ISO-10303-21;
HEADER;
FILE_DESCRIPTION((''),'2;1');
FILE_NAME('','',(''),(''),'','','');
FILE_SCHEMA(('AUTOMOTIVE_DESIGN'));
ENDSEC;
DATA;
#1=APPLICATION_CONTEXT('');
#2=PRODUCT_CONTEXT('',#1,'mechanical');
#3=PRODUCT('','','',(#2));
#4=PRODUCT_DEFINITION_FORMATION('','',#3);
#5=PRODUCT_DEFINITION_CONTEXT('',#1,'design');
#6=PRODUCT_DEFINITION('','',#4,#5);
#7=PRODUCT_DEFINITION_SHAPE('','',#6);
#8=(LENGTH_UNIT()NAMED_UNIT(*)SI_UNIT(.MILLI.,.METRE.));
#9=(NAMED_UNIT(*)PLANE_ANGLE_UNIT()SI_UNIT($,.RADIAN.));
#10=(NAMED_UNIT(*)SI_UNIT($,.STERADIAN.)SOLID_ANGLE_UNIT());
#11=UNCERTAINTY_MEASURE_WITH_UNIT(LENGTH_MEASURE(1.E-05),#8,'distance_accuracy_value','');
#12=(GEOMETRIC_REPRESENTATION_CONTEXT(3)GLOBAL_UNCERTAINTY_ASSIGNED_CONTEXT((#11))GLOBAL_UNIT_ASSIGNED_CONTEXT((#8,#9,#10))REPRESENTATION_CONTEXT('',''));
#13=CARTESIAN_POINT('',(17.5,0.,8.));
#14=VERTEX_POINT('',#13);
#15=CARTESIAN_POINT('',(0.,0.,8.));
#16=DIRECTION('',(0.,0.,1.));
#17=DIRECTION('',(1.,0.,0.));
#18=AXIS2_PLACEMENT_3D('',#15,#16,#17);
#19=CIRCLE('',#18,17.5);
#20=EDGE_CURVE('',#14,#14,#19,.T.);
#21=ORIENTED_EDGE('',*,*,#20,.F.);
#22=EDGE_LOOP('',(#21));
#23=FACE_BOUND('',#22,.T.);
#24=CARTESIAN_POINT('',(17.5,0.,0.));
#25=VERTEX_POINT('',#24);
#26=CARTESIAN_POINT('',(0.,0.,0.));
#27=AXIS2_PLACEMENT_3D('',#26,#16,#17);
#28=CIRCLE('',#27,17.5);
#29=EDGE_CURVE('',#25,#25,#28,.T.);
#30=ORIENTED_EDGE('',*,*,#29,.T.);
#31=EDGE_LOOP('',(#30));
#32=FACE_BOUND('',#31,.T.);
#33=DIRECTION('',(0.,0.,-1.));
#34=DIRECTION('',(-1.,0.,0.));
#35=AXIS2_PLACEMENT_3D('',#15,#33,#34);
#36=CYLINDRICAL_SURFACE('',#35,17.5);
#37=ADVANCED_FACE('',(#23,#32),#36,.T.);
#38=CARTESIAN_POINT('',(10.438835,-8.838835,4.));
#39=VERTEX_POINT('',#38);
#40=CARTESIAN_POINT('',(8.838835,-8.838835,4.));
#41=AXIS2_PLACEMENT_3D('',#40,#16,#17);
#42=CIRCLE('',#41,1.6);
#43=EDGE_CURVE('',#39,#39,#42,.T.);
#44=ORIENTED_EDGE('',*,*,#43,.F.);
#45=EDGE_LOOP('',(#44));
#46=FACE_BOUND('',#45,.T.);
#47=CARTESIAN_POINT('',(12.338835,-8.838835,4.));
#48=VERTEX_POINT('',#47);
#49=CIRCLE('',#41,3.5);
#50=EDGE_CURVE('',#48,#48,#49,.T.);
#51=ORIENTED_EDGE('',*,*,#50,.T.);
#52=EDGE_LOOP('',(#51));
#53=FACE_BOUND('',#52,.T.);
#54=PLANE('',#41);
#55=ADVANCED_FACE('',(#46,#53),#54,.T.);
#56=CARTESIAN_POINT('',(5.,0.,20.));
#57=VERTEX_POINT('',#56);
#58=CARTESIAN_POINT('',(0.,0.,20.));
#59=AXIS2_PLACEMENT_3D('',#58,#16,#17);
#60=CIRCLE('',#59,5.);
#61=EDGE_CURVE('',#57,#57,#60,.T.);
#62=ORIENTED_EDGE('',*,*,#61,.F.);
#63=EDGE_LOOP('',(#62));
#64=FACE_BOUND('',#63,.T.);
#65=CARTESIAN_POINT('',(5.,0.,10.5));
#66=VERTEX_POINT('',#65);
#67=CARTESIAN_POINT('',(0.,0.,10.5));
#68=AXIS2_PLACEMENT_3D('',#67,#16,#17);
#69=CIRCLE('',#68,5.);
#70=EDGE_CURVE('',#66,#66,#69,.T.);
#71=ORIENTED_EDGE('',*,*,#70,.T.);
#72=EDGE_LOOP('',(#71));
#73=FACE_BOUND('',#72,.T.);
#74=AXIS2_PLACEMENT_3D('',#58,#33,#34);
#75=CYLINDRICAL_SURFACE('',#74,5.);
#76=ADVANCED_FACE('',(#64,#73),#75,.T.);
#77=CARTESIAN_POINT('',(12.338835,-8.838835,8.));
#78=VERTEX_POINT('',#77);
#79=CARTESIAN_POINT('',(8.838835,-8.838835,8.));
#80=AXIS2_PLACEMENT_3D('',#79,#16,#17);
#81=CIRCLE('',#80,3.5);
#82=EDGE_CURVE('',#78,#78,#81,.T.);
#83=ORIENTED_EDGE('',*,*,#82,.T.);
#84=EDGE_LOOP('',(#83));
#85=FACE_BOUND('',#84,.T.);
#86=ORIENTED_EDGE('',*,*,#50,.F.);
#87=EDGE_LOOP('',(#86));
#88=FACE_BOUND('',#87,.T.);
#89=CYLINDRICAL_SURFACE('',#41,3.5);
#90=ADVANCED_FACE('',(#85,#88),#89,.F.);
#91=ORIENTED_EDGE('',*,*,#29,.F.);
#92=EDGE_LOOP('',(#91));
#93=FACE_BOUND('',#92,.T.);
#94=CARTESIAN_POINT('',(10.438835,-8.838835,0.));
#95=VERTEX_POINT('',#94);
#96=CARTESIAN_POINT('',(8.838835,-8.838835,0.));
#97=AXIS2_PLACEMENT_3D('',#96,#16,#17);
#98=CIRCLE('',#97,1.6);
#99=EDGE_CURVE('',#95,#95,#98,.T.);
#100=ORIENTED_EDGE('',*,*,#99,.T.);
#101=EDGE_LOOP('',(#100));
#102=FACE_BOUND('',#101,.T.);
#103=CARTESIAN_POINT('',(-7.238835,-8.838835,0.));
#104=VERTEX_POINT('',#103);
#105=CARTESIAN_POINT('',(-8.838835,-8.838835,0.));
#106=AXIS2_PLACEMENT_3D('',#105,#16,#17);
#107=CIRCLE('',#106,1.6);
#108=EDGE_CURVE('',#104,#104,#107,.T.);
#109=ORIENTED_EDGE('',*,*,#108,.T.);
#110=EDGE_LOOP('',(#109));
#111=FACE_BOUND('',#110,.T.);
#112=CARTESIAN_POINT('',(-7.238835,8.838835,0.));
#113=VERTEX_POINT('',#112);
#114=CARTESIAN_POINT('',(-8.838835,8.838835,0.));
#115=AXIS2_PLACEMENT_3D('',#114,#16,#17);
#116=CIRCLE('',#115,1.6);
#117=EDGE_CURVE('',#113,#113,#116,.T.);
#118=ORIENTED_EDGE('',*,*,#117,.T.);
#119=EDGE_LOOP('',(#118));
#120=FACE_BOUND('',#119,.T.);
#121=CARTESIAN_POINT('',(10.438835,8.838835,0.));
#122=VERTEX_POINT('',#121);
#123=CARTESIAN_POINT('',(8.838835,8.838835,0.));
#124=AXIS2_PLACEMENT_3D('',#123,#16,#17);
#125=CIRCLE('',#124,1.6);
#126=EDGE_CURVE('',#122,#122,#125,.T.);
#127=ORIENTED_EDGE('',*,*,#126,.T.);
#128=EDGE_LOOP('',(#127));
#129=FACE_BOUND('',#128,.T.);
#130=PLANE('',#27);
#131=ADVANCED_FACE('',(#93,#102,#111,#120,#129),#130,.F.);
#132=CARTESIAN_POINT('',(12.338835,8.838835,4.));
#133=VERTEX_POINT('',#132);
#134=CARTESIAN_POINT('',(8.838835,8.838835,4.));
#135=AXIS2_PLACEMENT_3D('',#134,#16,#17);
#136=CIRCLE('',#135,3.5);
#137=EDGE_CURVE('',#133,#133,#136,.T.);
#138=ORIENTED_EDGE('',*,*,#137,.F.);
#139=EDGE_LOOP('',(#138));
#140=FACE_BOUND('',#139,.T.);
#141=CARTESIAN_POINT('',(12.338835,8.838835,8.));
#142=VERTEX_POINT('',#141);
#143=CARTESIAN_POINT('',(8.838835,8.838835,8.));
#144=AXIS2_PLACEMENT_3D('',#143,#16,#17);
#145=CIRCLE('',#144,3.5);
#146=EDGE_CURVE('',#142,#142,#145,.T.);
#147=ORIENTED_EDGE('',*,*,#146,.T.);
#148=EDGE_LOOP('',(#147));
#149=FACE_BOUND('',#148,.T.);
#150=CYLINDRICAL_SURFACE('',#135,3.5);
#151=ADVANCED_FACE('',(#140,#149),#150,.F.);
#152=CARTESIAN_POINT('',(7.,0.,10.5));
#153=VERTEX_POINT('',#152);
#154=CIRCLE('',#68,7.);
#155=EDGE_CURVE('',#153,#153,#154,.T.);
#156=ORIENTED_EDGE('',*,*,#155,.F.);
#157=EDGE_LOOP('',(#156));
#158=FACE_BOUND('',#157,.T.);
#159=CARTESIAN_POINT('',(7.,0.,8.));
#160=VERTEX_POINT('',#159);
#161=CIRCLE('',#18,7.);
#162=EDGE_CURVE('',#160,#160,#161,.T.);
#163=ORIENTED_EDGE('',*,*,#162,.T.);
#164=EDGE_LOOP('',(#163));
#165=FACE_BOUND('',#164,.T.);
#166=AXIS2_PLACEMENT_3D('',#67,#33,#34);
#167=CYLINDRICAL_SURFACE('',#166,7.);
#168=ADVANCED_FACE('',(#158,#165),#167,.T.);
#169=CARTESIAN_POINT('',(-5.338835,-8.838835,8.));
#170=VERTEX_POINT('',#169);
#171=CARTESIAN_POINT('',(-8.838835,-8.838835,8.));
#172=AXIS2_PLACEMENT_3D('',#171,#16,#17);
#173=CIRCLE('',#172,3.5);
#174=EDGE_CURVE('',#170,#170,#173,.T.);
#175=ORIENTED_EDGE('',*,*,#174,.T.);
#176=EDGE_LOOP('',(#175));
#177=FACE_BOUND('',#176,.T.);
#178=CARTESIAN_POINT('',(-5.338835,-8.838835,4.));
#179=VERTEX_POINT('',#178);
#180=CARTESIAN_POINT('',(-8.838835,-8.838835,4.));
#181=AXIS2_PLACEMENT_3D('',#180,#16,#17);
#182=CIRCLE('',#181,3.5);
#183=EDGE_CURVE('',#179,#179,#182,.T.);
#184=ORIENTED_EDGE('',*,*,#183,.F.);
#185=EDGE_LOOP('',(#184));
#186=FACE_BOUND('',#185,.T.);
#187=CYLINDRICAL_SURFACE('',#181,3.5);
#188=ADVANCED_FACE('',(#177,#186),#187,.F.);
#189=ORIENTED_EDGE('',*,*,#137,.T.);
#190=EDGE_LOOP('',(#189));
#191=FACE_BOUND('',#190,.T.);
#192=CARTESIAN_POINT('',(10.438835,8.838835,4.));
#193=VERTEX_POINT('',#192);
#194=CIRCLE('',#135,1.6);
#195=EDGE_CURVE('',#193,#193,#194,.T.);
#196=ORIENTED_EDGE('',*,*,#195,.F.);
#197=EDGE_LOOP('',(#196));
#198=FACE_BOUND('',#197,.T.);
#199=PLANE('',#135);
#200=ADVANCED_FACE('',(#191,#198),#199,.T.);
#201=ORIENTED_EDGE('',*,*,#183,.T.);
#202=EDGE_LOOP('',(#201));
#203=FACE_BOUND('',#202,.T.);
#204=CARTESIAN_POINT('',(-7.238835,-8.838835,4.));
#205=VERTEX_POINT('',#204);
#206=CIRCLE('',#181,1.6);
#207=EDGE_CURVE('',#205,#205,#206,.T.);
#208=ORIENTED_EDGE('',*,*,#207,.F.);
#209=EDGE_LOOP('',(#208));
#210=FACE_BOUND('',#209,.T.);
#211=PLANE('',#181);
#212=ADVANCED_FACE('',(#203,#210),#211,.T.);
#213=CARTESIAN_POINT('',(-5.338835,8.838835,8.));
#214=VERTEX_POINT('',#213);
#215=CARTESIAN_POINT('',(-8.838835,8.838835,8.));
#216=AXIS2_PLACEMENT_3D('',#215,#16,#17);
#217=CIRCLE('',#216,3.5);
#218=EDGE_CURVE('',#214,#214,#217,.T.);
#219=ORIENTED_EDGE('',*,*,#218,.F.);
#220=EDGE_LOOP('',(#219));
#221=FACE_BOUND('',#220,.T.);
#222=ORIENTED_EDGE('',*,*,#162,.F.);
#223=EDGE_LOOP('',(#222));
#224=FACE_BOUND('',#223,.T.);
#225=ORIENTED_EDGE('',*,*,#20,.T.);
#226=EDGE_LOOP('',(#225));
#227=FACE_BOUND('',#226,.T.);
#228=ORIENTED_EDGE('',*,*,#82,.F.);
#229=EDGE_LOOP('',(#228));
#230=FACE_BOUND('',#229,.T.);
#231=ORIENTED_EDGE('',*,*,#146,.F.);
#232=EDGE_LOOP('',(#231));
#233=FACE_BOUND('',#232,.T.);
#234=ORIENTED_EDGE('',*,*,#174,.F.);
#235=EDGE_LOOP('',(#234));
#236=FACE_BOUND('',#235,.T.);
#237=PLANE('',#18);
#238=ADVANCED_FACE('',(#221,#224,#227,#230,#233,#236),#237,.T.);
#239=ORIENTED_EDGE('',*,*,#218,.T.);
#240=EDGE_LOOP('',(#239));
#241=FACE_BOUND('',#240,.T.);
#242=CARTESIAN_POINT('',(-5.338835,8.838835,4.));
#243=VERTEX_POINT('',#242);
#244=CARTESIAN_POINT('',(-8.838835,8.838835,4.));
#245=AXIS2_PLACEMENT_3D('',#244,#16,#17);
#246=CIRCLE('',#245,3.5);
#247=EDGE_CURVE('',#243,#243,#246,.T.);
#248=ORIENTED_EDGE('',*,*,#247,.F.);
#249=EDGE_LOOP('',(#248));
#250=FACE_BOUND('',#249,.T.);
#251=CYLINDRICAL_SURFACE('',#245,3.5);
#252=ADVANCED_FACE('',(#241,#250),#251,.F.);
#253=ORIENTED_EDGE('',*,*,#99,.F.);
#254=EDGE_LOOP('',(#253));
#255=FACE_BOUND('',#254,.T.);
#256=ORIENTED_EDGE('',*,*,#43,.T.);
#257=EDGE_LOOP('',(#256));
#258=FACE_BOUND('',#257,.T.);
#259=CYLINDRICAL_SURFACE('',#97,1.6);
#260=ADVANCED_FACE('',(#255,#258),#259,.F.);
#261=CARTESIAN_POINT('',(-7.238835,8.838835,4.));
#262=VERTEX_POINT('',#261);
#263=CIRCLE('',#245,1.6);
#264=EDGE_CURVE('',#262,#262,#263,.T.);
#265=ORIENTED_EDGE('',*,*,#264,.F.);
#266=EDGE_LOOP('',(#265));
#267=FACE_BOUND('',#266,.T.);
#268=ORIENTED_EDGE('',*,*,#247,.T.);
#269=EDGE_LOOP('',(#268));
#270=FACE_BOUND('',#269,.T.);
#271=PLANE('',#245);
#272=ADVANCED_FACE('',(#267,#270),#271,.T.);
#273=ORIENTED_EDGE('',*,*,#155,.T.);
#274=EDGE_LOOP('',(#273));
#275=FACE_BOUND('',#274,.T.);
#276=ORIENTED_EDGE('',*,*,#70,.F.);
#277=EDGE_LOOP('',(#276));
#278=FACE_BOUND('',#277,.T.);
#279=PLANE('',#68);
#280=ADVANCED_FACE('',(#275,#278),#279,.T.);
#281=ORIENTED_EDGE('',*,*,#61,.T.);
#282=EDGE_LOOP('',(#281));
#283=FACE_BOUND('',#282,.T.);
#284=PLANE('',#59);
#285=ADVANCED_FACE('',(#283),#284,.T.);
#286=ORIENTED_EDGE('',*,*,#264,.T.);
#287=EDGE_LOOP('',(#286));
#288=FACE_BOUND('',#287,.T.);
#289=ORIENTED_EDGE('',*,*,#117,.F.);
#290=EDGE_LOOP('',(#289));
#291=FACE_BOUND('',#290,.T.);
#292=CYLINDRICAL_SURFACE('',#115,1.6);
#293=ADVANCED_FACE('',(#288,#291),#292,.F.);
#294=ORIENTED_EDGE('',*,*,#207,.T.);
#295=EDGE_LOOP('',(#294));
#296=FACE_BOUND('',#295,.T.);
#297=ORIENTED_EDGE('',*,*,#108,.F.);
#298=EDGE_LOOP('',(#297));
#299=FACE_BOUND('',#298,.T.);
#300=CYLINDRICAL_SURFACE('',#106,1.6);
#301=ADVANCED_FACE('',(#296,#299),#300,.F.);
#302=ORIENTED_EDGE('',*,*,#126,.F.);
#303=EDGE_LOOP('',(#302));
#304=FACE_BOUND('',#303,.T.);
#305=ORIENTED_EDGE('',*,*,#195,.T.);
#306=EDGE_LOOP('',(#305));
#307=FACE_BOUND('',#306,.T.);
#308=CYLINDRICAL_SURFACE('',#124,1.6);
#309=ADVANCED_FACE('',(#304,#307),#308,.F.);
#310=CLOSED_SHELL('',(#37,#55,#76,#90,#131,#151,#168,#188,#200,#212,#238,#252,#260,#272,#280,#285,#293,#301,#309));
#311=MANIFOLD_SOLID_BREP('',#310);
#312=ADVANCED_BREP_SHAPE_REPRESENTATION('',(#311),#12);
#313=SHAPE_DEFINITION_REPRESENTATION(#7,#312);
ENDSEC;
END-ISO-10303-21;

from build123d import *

# Parameters (mm, degrees)
SKETCH_1_R          = 17.5
EXTRUDE_1_DEPTH     = 8
SKETCH_2_R          = 7
EXTRUDE_2_DEPTH     = 2.5
SKETCH_3_R          = 5
EXTRUDE_3_DEPTH     = 9.5
SKETCH_4_R          = 1.6
CUT_EXTRUDE_1_DEPTH = 28.504545079
SKETCH_5_R          = 3.5
SKETCH_5_R_2        = 1.6
CUT_EXTRUDE_2_DEPTH = 4


with BuildPart() as part:
    # ｽｹｯﾁ1 → ﾎﾞｽ - 押し出し1 (new body)
    with BuildSketch(Plane.XY):
        Circle(SKETCH_1_R)
    extrude(amount=EXTRUDE_1_DEPTH)

    # ｽｹｯﾁ2 → ﾎﾞｽ - 押し出し2 (add)
    with BuildSketch(Plane.XY.offset(8)):
        Circle(SKETCH_2_R)
    extrude(amount=EXTRUDE_2_DEPTH)

    # ｽｹｯﾁ3 → ﾎﾞｽ - 押し出し3 (add)
    with BuildSketch(Plane.XY.offset(10.5)):
        Circle(SKETCH_3_R)
    extrude(amount=EXTRUDE_3_DEPTH)

    # ｽｹｯﾁ4 → ｶｯﾄ - 押し出し1 (cut, through all)
    with BuildSketch(Plane.XY.offset(8)):
        with Locations((8.838834765, 8.838834765)):
            Circle(SKETCH_4_R)
        with Locations((8.838834765, -8.838834765)):
            Circle(SKETCH_4_R)
        with Locations((-8.838834765, -8.838834765)):
            Circle(SKETCH_4_R)
        with Locations((-8.838834765, 8.838834765)):
            Circle(SKETCH_4_R)
    extrude(amount=-CUT_EXTRUDE_1_DEPTH, mode=Mode.SUBTRACT)

    # ｽｹｯﾁ5 → ｶｯﾄ - 押し出し2 (cut)
    # profile 1 of 4: a face of its own
    with BuildSketch(Plane.XY.offset(8)):
        with Locations((8.838834765, 8.838834765)):
            Circle(SKETCH_5_R)
        with Locations((8.838834765, 8.838834765)):
            Circle(SKETCH_5_R_2, mode=Mode.SUBTRACT)
    # profile 2 of 4: a face of its own
    with BuildSketch(Plane.XY.offset(8)):
        with Locations((8.838834765, -8.838834765)):
            Circle(SKETCH_5_R)
        with Locations((8.838834765, -8.838834765)):
            Circle(SKETCH_5_R_2, mode=Mode.SUBTRACT)
    # profile 3 of 4: a face of its own
    with BuildSketch(Plane.XY.offset(8)):
        with Locations((-8.838834765, -8.838834765)):
            Circle(SKETCH_5_R)
        with Locations((-8.838834765, -8.838834765)):
            Circle(SKETCH_5_R_2, mode=Mode.SUBTRACT)
    # profile 4 of 4: a face of its own
    with BuildSketch(Plane.XY.offset(8)):
        with Locations((-8.838834765, 8.838834765)):
            Circle(SKETCH_5_R)
        with Locations((-8.838834765, 8.838834765)):
            Circle(SKETCH_5_R_2, mode=Mode.SUBTRACT)
    extrude(amount=-CUT_EXTRUDE_2_DEPTH, mode=Mode.SUBTRACT)


solid = part.part
